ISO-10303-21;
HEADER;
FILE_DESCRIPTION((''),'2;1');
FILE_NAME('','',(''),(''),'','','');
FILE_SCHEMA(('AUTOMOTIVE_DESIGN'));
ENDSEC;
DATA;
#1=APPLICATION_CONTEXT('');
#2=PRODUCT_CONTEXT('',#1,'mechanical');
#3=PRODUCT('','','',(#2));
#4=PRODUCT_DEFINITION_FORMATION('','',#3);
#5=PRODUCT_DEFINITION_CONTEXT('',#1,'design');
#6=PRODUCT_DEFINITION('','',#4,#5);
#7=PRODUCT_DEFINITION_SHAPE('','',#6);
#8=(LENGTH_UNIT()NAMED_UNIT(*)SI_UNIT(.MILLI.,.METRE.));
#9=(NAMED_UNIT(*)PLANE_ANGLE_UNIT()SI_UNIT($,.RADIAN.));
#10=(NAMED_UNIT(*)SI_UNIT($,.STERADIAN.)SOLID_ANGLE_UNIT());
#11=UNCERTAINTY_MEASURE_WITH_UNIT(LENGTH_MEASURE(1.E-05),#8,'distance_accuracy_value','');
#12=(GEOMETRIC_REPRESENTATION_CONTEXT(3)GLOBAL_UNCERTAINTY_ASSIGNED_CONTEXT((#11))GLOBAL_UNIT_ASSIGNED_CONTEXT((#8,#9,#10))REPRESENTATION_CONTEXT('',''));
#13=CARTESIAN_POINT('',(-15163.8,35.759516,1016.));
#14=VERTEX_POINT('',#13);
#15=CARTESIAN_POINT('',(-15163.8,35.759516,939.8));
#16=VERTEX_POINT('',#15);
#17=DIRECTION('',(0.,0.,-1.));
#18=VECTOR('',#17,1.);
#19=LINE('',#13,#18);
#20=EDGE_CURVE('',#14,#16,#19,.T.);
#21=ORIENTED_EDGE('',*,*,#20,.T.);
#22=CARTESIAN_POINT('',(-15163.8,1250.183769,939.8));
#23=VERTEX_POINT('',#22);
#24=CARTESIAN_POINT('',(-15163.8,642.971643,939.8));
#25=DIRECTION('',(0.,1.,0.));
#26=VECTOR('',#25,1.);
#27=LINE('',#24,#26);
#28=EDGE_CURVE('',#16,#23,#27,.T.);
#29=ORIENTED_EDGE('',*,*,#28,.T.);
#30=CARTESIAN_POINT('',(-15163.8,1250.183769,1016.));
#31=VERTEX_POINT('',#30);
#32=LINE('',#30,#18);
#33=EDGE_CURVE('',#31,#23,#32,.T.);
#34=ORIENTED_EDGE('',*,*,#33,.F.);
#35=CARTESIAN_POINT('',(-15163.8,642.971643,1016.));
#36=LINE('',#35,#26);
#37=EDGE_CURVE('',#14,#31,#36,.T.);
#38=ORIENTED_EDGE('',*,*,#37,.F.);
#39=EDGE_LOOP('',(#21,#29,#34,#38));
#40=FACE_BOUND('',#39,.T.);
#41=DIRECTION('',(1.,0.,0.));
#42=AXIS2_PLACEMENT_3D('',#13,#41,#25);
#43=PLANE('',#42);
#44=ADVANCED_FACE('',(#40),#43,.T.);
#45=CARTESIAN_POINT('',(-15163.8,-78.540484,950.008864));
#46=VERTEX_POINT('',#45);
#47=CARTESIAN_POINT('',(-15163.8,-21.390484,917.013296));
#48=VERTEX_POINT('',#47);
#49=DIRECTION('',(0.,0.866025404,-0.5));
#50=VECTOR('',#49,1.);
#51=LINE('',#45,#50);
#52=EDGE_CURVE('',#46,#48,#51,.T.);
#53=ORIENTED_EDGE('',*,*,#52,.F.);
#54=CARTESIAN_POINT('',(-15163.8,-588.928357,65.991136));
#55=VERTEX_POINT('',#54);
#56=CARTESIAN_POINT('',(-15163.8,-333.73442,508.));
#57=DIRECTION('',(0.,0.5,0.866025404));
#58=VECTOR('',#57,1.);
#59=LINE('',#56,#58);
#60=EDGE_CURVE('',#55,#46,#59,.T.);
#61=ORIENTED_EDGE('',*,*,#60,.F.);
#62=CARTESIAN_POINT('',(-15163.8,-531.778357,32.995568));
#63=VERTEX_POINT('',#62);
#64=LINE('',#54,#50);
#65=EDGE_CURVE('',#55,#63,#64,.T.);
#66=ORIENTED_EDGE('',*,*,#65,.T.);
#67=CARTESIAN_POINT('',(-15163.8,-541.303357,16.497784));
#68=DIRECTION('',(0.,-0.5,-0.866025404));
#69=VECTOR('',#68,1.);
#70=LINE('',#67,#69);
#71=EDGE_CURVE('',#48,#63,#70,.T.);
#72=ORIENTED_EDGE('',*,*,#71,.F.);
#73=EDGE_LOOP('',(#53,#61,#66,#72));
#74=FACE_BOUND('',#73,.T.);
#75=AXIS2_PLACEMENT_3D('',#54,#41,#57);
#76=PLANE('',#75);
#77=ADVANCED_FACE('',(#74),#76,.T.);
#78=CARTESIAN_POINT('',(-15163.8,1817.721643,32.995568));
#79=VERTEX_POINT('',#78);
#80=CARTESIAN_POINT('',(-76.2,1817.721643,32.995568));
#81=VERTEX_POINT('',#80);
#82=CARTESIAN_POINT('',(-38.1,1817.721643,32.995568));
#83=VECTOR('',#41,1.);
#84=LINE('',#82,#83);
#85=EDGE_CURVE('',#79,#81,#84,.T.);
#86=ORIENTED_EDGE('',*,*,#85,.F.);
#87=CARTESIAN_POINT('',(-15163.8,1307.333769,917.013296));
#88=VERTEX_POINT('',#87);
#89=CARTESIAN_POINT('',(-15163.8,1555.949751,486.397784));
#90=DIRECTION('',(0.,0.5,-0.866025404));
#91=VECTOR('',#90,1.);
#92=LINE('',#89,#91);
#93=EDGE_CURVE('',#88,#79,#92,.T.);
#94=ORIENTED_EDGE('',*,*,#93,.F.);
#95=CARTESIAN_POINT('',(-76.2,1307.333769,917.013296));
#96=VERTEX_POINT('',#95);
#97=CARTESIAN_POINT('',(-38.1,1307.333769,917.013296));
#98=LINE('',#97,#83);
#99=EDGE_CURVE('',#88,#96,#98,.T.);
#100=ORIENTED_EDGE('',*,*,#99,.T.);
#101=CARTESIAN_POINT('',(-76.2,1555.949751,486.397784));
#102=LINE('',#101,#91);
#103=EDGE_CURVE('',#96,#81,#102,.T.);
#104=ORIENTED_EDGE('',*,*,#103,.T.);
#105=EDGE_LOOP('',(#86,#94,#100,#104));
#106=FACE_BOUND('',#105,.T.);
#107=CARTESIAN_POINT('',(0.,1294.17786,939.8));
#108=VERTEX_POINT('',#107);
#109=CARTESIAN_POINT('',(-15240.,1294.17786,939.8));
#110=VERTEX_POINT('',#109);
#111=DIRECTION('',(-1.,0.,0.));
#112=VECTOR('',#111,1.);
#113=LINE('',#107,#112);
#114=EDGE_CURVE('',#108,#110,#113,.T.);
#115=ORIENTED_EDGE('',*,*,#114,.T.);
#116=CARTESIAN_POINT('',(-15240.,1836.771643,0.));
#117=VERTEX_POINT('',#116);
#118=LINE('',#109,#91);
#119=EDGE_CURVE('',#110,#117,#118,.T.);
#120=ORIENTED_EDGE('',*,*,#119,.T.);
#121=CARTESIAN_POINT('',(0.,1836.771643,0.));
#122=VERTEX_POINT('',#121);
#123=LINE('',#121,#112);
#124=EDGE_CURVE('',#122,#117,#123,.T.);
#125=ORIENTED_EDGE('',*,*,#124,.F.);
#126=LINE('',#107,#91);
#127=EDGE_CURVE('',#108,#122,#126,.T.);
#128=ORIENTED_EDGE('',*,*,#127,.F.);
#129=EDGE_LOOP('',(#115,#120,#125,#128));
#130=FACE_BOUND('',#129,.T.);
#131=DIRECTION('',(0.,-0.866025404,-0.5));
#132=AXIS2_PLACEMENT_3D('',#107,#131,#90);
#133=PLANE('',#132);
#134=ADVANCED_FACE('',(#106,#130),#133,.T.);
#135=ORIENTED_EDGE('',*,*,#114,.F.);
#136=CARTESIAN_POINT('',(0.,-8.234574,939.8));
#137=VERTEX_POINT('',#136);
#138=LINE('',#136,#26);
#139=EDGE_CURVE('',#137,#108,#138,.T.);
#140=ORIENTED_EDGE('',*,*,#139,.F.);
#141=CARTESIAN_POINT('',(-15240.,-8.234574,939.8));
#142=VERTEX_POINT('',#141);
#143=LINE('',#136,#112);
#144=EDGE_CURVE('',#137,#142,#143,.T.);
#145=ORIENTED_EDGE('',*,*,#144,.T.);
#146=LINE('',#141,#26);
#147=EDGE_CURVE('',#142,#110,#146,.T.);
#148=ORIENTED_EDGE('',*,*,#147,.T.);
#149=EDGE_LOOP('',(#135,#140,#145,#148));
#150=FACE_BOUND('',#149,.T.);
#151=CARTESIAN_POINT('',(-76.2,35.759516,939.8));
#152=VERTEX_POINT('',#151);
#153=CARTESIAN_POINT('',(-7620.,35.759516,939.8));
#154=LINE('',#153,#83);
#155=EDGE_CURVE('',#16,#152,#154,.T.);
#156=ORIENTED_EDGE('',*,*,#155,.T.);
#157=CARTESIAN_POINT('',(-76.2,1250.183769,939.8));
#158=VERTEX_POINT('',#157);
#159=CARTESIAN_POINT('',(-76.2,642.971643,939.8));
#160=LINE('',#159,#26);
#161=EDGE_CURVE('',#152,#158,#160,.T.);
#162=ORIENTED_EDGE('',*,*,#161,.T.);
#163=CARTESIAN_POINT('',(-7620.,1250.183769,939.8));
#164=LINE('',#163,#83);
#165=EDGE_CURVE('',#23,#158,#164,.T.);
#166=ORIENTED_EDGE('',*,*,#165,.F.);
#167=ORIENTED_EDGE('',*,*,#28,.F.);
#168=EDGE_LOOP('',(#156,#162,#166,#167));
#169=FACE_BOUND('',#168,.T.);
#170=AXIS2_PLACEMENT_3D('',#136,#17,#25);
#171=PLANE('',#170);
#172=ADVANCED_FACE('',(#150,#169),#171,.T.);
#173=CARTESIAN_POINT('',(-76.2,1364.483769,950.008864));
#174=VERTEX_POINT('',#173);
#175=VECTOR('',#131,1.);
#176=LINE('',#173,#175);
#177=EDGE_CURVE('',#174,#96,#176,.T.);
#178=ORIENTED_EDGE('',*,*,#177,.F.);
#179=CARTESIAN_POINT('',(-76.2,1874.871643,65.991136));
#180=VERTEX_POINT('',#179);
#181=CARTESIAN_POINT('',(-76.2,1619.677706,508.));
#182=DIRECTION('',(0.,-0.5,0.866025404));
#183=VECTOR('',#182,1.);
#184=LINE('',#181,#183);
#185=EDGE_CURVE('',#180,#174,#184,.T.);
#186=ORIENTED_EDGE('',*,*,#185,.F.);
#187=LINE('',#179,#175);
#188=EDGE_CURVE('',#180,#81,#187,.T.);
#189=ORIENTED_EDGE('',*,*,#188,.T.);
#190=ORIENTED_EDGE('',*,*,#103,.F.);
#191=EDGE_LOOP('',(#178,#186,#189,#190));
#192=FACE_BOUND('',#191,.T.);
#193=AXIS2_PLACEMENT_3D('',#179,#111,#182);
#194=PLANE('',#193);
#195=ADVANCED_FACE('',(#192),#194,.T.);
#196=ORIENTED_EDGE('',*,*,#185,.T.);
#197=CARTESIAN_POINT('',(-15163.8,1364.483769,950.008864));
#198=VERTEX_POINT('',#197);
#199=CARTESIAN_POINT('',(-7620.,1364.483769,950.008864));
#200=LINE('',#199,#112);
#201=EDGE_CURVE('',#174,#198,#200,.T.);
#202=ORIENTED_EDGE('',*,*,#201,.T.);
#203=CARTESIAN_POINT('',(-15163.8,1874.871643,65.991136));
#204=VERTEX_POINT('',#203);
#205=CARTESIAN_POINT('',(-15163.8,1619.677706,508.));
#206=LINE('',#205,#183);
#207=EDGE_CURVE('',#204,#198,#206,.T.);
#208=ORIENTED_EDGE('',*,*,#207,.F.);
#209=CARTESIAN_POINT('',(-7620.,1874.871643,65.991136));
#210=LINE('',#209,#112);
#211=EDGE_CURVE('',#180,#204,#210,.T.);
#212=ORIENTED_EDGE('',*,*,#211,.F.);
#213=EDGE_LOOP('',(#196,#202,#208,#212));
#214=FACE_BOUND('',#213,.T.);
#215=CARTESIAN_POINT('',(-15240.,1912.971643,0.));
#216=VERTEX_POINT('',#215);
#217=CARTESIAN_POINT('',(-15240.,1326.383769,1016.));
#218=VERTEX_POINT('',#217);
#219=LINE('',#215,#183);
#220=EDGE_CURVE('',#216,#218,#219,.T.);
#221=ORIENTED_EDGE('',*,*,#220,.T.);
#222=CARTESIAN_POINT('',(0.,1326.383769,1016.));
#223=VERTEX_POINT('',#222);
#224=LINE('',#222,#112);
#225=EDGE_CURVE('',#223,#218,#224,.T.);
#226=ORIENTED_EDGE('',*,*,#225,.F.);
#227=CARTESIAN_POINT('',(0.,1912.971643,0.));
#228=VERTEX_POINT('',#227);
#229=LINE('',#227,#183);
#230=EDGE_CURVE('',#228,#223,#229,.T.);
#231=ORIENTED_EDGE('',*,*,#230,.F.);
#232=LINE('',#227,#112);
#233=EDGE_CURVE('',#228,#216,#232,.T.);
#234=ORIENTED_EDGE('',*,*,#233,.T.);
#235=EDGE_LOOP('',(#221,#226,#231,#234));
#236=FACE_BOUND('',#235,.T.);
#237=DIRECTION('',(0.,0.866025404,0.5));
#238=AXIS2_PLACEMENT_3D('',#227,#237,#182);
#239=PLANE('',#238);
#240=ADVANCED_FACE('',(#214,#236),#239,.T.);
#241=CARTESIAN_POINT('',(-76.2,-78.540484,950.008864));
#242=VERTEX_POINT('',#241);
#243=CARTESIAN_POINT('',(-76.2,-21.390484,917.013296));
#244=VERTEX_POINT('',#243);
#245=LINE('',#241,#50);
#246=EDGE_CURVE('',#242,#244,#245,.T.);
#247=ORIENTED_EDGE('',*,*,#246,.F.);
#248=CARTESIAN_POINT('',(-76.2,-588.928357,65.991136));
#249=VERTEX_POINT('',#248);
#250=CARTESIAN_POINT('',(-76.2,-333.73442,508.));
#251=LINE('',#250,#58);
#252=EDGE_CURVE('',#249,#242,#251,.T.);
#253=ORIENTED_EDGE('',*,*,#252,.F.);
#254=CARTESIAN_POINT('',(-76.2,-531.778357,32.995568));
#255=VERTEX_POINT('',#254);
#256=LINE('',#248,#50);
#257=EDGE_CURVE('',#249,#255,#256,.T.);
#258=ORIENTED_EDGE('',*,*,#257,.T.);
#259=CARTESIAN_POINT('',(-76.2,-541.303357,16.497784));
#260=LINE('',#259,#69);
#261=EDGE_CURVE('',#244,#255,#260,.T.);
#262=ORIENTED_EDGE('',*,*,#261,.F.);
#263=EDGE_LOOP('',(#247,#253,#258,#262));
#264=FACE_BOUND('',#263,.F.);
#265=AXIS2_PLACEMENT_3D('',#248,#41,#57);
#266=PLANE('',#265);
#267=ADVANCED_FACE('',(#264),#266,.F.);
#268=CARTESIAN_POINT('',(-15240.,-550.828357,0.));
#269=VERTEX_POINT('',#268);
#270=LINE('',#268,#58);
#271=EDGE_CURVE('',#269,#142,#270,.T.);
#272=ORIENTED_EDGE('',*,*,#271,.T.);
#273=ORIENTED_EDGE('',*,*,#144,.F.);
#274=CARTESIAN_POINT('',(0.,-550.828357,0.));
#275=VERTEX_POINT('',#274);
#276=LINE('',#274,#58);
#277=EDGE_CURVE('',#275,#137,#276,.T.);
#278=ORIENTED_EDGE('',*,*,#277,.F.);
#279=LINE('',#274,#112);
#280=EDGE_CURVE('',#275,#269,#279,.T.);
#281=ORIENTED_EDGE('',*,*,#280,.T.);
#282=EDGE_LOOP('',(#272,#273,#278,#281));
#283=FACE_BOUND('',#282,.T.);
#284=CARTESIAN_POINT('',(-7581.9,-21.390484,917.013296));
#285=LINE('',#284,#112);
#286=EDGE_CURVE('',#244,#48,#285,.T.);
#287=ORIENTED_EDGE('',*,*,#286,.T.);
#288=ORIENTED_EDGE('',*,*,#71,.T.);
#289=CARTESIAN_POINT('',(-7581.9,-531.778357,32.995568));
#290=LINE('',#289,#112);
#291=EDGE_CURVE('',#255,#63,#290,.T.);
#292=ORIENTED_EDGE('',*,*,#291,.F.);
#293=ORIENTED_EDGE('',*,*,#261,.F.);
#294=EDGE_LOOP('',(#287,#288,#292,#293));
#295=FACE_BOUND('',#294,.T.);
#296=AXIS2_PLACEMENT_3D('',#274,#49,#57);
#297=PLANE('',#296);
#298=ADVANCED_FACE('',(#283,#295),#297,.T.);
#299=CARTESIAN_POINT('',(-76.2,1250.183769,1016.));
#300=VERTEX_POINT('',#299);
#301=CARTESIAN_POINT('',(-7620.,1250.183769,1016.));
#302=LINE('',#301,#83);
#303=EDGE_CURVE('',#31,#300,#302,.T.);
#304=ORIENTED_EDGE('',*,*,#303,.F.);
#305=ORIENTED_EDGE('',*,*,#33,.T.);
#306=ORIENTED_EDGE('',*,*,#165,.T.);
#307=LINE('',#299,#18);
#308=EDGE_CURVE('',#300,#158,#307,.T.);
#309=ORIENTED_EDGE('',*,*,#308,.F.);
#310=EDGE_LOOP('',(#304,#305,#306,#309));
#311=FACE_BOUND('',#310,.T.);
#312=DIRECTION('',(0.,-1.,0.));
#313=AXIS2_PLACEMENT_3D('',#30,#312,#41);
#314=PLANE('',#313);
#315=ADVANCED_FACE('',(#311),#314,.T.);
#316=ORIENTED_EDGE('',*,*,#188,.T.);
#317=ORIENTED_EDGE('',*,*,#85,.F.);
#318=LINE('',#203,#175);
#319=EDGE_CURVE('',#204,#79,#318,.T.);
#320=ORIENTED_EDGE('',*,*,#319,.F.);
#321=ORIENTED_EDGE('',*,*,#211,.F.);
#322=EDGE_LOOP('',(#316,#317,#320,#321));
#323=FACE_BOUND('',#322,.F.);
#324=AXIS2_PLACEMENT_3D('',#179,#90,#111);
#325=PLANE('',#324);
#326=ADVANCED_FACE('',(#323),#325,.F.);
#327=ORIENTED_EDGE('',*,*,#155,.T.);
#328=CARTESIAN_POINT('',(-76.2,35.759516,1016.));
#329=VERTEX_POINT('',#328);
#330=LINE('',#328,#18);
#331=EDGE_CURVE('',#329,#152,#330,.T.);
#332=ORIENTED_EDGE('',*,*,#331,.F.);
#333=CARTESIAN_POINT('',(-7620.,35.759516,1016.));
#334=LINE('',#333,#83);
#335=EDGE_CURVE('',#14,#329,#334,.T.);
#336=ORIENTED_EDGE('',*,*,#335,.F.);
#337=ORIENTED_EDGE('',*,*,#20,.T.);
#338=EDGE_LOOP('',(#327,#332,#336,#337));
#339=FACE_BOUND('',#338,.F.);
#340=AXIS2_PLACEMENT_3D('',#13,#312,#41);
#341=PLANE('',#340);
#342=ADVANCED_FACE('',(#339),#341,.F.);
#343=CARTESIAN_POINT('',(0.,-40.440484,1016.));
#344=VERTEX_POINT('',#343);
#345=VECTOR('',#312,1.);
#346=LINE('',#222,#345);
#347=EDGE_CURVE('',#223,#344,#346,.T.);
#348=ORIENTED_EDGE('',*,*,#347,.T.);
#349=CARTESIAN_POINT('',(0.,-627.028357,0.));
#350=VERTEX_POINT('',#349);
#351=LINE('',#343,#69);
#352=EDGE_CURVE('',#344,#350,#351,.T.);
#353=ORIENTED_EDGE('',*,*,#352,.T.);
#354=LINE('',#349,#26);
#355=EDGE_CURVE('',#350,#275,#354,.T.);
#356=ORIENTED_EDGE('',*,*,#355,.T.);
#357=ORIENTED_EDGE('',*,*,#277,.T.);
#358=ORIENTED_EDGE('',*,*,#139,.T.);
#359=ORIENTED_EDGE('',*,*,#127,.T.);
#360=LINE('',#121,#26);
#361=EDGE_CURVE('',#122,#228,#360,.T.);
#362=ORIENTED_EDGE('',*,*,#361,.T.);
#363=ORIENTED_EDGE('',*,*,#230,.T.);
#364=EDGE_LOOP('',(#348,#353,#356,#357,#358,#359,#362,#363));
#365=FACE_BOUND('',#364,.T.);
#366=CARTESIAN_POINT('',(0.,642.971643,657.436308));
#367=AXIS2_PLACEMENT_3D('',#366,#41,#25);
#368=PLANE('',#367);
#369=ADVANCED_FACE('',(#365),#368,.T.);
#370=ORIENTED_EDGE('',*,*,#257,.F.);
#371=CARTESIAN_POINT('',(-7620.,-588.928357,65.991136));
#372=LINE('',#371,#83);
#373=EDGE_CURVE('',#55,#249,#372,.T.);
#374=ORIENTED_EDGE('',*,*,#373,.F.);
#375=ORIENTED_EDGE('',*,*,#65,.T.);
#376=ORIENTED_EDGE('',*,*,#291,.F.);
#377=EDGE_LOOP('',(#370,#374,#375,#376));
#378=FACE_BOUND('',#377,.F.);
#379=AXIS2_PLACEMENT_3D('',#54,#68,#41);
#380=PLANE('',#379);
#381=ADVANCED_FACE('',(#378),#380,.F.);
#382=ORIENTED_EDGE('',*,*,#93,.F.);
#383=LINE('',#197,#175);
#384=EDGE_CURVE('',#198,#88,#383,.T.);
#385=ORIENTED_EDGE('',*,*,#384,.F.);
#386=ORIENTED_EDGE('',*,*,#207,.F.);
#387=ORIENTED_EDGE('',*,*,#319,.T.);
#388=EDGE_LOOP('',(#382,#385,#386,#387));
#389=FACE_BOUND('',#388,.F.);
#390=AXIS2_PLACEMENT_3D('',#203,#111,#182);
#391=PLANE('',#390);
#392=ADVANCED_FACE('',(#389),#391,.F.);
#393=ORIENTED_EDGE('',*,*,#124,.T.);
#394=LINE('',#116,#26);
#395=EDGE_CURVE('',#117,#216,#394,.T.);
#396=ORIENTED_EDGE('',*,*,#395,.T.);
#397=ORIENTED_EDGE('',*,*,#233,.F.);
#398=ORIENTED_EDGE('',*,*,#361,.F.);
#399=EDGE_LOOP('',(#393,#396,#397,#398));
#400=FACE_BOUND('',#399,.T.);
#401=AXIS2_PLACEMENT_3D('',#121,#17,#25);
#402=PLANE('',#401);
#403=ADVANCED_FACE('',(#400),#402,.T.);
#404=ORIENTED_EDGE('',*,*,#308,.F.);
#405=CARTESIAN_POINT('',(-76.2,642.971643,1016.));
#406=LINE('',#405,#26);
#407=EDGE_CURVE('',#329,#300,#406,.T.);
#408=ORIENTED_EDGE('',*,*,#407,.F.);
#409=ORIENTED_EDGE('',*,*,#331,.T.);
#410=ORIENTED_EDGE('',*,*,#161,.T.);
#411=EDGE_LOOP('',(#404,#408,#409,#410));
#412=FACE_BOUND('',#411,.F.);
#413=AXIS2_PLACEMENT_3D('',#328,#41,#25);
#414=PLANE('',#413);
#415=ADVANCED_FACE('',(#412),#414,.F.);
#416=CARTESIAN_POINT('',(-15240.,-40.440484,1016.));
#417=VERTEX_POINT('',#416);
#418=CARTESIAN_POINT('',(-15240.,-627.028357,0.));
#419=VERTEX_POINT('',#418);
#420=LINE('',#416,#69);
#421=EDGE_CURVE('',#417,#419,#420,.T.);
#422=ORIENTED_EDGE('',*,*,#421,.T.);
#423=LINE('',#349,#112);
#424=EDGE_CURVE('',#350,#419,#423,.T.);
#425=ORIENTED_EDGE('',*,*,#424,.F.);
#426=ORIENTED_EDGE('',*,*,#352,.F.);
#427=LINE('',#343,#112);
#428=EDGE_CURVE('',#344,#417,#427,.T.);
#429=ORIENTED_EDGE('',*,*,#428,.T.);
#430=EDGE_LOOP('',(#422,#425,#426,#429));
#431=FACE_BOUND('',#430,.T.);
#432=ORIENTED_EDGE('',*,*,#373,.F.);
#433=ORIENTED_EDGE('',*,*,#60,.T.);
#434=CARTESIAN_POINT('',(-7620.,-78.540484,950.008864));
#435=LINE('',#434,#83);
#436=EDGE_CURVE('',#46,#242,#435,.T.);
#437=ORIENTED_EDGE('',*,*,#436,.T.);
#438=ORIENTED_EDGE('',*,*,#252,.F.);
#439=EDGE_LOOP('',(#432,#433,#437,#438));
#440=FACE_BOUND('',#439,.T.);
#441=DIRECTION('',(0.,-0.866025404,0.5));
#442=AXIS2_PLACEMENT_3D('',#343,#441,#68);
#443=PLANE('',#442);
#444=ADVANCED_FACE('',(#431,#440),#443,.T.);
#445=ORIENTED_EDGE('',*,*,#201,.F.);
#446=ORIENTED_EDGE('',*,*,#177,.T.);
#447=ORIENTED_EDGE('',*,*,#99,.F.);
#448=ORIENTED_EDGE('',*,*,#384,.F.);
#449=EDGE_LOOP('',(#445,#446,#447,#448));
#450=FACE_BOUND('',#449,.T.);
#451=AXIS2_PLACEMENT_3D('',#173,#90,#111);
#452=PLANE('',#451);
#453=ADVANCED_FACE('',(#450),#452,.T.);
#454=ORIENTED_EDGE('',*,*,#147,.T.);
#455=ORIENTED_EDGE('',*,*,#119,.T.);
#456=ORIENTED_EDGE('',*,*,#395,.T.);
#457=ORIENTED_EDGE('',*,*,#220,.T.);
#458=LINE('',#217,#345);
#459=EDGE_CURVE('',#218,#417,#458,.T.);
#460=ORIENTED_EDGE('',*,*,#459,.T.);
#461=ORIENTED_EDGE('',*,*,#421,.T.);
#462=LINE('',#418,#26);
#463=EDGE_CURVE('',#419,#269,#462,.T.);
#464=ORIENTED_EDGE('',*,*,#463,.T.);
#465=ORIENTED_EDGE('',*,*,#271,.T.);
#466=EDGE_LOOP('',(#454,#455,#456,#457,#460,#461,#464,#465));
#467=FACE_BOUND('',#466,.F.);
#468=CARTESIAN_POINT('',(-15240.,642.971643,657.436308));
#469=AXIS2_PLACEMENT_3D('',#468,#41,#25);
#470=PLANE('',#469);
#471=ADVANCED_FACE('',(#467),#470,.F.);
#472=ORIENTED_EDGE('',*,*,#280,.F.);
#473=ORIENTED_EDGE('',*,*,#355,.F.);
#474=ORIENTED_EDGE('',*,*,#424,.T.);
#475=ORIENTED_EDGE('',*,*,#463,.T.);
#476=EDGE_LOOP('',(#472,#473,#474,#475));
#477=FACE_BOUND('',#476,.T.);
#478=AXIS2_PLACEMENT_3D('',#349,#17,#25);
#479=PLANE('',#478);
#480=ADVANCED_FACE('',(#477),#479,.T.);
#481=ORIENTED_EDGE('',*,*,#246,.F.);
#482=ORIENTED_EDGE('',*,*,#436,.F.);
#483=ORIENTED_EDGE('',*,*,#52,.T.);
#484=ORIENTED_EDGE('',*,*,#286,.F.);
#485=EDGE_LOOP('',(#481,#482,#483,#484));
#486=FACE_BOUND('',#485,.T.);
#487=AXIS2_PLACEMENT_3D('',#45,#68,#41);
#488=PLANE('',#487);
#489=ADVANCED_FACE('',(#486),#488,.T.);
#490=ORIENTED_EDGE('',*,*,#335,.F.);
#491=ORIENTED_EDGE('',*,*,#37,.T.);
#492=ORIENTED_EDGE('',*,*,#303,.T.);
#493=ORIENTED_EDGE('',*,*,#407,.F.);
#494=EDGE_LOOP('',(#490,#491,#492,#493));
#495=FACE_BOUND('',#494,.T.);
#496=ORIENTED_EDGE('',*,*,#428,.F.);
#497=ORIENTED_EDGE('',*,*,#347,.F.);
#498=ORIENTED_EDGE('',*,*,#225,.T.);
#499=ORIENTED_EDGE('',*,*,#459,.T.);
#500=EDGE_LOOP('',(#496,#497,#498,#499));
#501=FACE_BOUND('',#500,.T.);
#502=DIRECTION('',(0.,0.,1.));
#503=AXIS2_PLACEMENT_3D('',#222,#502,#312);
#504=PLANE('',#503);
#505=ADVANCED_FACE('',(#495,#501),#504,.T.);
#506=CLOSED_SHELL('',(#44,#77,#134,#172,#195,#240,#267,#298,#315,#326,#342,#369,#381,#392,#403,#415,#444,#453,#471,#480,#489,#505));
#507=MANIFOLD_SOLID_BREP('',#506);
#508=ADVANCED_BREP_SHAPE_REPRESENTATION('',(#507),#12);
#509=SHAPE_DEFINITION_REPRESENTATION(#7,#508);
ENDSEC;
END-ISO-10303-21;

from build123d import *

# Parameters (mm, degrees)
F1_DEPTH = 15240
F2_W     = 15087.6
F2_H     = 1020.7757469933
F3_DEPTH = 76.2
F4_W     = 15087.6
F4_H     = 1214.4242530067
F5_DEPTH = 76.2
F6_W     = 15087.6
F6_H     = 1020.7757469933
F7_DEPTH = 76.2


with BuildPart() as f1:
    # F0 (on Right) → F1 (new body)
    with BuildSketch(Plane.YZ):
        Polygon((-40.4404837035, 1016), (-627.0283572002, 0), (-550.8283572002, 0), (-8.2345742158, 939.8), (1294.1778598154, 939.8), (1836.7716427998, 0), (1912.9716427998, 0), (1326.3837693031, 1016), align=None)
    extrude(amount=-F1_DEPTH)

    # F2 (on face) → F3 (cut)
    with BuildSketch(Plane(origin=(0, -470.2712679001, 271.5112431143), x_dir=(1, 0, 0), z_dir=(0, -0.8660254038, 0.5))):
        with Locations((-7620, 273.0736948966)):
            Rectangle(F2_W, F2_H)
    extrude(amount=-F3_DEPTH, mode=Mode.SUBTRACT)

    # F4 (on face) → F5 (cut)
    with BuildSketch(Plane.XY.offset(1016)):
        with Locations((-7620, 642.9716427998)):
            Rectangle(F4_W, F4_H)
    extrude(amount=-F5_DEPTH, mode=Mode.SUBTRACT)

    # F6 (on face) → F7 (cut)
    with BuildSketch(Plane(origin=(0, 1434.7287320999, 828.3410196919), x_dir=(-1, 0, 0), z_dir=(0, 0.8660254038, 0.5))):
        with Locations((7620, -369.8979479032)):
            Rectangle(F6_W, F6_H)
    extrude(amount=-F7_DEPTH, mode=Mode.SUBTRACT)


solid = f1.part
